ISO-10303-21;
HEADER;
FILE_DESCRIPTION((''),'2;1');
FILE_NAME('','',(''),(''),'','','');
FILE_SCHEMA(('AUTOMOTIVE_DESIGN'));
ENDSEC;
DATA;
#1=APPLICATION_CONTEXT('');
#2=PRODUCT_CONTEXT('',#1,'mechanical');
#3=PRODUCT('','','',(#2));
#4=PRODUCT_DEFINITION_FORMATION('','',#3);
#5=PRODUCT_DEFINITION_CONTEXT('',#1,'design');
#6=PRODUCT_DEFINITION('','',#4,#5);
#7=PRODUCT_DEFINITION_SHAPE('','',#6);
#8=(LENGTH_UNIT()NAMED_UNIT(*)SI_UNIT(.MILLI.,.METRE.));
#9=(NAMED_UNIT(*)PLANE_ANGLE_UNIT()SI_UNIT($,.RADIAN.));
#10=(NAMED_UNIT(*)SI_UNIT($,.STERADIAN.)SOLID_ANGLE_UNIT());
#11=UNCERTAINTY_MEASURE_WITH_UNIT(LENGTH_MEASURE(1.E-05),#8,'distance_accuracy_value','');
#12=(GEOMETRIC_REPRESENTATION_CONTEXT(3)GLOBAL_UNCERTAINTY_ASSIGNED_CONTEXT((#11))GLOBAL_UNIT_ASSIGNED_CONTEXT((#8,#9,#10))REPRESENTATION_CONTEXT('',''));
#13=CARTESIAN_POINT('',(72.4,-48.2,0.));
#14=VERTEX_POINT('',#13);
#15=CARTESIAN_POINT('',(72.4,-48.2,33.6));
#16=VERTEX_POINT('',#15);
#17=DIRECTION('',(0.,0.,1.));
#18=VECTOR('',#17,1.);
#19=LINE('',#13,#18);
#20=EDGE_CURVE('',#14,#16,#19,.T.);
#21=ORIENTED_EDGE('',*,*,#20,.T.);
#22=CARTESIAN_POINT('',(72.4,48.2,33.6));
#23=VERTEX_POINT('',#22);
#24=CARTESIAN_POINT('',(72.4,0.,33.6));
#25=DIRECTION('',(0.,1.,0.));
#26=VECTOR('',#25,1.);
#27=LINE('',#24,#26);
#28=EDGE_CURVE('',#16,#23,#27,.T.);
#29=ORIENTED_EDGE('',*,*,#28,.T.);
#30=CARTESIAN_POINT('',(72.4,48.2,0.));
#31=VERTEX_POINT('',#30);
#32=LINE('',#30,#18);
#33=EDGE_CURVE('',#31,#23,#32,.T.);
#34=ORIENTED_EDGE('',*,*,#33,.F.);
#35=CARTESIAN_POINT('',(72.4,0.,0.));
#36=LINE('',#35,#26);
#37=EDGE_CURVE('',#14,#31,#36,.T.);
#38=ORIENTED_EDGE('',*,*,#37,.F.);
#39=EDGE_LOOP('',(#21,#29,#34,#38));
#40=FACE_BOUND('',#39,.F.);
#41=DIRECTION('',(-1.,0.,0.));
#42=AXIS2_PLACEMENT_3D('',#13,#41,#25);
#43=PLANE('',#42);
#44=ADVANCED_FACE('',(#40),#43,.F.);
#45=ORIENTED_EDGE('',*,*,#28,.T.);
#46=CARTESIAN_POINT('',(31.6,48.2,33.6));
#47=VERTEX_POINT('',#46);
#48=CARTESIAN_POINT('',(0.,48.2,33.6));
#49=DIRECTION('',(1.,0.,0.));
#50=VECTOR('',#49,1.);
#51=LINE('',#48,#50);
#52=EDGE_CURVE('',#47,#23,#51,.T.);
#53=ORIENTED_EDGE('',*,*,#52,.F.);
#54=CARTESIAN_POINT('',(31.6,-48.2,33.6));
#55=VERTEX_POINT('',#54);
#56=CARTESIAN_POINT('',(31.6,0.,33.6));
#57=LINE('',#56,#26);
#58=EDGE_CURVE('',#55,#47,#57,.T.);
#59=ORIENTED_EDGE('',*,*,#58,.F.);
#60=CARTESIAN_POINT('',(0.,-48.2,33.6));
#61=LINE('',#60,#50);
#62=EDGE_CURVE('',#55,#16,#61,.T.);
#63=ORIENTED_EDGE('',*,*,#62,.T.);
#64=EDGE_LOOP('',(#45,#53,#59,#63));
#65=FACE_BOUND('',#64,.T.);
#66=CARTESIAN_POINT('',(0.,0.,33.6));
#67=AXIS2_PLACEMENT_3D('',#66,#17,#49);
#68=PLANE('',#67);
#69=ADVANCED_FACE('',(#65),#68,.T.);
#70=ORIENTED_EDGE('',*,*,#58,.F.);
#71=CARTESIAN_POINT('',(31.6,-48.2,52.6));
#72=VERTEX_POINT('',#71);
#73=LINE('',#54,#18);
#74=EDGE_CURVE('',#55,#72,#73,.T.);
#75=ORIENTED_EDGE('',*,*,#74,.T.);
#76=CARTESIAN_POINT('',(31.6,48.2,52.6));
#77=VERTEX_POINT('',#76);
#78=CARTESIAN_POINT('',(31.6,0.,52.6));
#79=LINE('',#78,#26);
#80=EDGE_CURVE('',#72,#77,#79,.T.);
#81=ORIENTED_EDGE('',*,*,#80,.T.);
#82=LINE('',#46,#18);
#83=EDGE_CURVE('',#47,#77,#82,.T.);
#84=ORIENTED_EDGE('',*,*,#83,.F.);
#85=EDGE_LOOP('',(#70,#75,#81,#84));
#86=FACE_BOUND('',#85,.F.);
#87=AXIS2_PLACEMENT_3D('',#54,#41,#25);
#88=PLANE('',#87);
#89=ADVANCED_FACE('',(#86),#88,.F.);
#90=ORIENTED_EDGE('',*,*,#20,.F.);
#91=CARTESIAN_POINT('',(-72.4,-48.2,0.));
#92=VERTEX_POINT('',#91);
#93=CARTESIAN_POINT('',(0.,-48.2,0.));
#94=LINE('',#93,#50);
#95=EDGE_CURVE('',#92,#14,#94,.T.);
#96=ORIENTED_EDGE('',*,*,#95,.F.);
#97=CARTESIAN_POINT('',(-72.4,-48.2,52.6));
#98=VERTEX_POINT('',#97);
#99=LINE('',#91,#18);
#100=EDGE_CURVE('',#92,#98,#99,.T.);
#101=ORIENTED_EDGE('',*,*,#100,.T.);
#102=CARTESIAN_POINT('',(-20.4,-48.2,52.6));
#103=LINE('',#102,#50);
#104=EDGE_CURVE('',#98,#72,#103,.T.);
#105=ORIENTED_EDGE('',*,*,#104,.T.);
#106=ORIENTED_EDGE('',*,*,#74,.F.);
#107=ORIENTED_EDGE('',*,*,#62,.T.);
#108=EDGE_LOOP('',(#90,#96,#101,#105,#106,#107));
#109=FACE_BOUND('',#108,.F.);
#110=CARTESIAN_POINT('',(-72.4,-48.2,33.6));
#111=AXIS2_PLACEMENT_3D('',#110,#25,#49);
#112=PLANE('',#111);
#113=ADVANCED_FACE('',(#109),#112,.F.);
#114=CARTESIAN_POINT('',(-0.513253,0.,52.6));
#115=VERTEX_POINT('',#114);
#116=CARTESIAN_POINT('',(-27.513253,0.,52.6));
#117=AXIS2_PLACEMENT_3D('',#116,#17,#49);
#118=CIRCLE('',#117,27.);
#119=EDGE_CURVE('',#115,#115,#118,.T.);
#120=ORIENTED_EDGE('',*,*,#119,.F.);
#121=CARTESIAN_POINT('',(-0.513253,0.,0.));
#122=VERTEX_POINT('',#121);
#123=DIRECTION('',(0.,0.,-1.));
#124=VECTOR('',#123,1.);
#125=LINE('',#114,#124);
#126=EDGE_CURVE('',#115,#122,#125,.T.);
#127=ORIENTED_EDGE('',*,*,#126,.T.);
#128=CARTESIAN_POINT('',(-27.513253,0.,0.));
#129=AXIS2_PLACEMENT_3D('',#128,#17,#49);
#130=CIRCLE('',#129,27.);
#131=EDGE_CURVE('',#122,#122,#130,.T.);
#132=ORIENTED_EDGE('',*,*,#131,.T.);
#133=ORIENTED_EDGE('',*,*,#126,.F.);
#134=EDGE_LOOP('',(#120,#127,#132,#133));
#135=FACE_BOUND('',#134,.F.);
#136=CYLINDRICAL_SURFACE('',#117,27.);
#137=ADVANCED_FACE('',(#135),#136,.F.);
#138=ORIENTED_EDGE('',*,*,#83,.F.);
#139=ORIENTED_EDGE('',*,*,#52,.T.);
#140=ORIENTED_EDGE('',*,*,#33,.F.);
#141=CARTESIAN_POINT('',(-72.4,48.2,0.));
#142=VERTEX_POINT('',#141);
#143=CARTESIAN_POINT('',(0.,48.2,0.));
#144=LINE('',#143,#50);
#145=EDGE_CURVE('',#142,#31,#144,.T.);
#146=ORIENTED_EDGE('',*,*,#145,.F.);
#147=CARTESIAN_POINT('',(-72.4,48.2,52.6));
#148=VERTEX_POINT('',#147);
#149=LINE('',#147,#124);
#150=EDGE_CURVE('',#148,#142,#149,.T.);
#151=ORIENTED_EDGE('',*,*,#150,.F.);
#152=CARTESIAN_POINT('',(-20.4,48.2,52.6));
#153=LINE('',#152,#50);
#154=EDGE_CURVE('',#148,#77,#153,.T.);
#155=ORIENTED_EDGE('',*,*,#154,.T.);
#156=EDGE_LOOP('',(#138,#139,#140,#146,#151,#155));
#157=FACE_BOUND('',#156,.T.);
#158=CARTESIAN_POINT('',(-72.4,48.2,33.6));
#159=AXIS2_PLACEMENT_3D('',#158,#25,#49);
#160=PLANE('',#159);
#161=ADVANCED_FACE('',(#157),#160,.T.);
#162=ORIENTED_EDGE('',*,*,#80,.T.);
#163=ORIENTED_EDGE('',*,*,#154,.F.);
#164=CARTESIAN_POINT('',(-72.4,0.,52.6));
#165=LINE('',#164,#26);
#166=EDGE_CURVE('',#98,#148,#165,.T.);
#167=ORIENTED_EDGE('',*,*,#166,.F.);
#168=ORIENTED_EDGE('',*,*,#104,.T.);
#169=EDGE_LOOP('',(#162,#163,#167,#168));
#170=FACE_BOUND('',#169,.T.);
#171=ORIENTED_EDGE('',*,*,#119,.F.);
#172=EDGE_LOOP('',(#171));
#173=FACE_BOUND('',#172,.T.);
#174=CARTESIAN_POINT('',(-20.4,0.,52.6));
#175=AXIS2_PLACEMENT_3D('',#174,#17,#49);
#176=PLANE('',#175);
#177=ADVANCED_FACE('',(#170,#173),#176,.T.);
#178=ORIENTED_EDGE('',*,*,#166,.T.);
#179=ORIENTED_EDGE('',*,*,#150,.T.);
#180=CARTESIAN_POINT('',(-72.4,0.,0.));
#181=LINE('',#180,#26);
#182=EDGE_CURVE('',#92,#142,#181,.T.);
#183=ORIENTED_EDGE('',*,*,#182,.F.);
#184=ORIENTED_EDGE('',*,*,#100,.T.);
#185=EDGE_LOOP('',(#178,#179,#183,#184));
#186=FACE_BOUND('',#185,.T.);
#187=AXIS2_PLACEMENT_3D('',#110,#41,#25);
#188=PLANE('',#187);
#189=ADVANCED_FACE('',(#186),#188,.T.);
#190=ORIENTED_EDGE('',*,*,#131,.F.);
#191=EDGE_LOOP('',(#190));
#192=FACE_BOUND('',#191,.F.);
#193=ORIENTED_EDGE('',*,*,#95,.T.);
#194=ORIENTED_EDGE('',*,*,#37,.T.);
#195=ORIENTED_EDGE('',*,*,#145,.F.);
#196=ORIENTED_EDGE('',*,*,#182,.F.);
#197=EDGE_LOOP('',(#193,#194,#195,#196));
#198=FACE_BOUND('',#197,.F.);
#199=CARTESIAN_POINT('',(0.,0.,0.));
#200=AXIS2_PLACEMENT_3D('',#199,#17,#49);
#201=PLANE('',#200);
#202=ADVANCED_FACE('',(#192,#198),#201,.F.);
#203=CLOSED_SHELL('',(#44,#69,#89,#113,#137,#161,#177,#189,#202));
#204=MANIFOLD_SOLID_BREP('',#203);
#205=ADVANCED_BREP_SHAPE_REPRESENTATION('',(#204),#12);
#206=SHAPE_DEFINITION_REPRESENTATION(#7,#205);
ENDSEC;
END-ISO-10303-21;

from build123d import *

# Parameters (mm, degrees)
F0_W     = 144.8
F0_H     = 96.4
F1_DEPTH = 33.6
F2_W     = 104
F2_H     = 96.4
F3_DEPTH = 19
F4_R     = 27
F5_DEPTH = 159


with BuildPart() as f1:
    # F0 (on Top) → F1 (new body)
    with BuildSketch(Plane.XY):
        Rectangle(F0_W, F0_H)
    extrude(amount=F1_DEPTH)

    # F2 (on face) → F3 (join)
    with BuildSketch(Plane.XY.offset(33.6)):
        with Locations((-20.4, 0)):
            Rectangle(F2_W, F2_H)
    extrude(amount=F3_DEPTH)

    # F4 (on face) → F5 (cut)
    with BuildSketch(Plane.XY.offset(52.6)):
        with Locations((-27.513253, 0)):
            Circle(F4_R)
    extrude(amount=-F5_DEPTH, mode=Mode.SUBTRACT)


solid = f1.part
